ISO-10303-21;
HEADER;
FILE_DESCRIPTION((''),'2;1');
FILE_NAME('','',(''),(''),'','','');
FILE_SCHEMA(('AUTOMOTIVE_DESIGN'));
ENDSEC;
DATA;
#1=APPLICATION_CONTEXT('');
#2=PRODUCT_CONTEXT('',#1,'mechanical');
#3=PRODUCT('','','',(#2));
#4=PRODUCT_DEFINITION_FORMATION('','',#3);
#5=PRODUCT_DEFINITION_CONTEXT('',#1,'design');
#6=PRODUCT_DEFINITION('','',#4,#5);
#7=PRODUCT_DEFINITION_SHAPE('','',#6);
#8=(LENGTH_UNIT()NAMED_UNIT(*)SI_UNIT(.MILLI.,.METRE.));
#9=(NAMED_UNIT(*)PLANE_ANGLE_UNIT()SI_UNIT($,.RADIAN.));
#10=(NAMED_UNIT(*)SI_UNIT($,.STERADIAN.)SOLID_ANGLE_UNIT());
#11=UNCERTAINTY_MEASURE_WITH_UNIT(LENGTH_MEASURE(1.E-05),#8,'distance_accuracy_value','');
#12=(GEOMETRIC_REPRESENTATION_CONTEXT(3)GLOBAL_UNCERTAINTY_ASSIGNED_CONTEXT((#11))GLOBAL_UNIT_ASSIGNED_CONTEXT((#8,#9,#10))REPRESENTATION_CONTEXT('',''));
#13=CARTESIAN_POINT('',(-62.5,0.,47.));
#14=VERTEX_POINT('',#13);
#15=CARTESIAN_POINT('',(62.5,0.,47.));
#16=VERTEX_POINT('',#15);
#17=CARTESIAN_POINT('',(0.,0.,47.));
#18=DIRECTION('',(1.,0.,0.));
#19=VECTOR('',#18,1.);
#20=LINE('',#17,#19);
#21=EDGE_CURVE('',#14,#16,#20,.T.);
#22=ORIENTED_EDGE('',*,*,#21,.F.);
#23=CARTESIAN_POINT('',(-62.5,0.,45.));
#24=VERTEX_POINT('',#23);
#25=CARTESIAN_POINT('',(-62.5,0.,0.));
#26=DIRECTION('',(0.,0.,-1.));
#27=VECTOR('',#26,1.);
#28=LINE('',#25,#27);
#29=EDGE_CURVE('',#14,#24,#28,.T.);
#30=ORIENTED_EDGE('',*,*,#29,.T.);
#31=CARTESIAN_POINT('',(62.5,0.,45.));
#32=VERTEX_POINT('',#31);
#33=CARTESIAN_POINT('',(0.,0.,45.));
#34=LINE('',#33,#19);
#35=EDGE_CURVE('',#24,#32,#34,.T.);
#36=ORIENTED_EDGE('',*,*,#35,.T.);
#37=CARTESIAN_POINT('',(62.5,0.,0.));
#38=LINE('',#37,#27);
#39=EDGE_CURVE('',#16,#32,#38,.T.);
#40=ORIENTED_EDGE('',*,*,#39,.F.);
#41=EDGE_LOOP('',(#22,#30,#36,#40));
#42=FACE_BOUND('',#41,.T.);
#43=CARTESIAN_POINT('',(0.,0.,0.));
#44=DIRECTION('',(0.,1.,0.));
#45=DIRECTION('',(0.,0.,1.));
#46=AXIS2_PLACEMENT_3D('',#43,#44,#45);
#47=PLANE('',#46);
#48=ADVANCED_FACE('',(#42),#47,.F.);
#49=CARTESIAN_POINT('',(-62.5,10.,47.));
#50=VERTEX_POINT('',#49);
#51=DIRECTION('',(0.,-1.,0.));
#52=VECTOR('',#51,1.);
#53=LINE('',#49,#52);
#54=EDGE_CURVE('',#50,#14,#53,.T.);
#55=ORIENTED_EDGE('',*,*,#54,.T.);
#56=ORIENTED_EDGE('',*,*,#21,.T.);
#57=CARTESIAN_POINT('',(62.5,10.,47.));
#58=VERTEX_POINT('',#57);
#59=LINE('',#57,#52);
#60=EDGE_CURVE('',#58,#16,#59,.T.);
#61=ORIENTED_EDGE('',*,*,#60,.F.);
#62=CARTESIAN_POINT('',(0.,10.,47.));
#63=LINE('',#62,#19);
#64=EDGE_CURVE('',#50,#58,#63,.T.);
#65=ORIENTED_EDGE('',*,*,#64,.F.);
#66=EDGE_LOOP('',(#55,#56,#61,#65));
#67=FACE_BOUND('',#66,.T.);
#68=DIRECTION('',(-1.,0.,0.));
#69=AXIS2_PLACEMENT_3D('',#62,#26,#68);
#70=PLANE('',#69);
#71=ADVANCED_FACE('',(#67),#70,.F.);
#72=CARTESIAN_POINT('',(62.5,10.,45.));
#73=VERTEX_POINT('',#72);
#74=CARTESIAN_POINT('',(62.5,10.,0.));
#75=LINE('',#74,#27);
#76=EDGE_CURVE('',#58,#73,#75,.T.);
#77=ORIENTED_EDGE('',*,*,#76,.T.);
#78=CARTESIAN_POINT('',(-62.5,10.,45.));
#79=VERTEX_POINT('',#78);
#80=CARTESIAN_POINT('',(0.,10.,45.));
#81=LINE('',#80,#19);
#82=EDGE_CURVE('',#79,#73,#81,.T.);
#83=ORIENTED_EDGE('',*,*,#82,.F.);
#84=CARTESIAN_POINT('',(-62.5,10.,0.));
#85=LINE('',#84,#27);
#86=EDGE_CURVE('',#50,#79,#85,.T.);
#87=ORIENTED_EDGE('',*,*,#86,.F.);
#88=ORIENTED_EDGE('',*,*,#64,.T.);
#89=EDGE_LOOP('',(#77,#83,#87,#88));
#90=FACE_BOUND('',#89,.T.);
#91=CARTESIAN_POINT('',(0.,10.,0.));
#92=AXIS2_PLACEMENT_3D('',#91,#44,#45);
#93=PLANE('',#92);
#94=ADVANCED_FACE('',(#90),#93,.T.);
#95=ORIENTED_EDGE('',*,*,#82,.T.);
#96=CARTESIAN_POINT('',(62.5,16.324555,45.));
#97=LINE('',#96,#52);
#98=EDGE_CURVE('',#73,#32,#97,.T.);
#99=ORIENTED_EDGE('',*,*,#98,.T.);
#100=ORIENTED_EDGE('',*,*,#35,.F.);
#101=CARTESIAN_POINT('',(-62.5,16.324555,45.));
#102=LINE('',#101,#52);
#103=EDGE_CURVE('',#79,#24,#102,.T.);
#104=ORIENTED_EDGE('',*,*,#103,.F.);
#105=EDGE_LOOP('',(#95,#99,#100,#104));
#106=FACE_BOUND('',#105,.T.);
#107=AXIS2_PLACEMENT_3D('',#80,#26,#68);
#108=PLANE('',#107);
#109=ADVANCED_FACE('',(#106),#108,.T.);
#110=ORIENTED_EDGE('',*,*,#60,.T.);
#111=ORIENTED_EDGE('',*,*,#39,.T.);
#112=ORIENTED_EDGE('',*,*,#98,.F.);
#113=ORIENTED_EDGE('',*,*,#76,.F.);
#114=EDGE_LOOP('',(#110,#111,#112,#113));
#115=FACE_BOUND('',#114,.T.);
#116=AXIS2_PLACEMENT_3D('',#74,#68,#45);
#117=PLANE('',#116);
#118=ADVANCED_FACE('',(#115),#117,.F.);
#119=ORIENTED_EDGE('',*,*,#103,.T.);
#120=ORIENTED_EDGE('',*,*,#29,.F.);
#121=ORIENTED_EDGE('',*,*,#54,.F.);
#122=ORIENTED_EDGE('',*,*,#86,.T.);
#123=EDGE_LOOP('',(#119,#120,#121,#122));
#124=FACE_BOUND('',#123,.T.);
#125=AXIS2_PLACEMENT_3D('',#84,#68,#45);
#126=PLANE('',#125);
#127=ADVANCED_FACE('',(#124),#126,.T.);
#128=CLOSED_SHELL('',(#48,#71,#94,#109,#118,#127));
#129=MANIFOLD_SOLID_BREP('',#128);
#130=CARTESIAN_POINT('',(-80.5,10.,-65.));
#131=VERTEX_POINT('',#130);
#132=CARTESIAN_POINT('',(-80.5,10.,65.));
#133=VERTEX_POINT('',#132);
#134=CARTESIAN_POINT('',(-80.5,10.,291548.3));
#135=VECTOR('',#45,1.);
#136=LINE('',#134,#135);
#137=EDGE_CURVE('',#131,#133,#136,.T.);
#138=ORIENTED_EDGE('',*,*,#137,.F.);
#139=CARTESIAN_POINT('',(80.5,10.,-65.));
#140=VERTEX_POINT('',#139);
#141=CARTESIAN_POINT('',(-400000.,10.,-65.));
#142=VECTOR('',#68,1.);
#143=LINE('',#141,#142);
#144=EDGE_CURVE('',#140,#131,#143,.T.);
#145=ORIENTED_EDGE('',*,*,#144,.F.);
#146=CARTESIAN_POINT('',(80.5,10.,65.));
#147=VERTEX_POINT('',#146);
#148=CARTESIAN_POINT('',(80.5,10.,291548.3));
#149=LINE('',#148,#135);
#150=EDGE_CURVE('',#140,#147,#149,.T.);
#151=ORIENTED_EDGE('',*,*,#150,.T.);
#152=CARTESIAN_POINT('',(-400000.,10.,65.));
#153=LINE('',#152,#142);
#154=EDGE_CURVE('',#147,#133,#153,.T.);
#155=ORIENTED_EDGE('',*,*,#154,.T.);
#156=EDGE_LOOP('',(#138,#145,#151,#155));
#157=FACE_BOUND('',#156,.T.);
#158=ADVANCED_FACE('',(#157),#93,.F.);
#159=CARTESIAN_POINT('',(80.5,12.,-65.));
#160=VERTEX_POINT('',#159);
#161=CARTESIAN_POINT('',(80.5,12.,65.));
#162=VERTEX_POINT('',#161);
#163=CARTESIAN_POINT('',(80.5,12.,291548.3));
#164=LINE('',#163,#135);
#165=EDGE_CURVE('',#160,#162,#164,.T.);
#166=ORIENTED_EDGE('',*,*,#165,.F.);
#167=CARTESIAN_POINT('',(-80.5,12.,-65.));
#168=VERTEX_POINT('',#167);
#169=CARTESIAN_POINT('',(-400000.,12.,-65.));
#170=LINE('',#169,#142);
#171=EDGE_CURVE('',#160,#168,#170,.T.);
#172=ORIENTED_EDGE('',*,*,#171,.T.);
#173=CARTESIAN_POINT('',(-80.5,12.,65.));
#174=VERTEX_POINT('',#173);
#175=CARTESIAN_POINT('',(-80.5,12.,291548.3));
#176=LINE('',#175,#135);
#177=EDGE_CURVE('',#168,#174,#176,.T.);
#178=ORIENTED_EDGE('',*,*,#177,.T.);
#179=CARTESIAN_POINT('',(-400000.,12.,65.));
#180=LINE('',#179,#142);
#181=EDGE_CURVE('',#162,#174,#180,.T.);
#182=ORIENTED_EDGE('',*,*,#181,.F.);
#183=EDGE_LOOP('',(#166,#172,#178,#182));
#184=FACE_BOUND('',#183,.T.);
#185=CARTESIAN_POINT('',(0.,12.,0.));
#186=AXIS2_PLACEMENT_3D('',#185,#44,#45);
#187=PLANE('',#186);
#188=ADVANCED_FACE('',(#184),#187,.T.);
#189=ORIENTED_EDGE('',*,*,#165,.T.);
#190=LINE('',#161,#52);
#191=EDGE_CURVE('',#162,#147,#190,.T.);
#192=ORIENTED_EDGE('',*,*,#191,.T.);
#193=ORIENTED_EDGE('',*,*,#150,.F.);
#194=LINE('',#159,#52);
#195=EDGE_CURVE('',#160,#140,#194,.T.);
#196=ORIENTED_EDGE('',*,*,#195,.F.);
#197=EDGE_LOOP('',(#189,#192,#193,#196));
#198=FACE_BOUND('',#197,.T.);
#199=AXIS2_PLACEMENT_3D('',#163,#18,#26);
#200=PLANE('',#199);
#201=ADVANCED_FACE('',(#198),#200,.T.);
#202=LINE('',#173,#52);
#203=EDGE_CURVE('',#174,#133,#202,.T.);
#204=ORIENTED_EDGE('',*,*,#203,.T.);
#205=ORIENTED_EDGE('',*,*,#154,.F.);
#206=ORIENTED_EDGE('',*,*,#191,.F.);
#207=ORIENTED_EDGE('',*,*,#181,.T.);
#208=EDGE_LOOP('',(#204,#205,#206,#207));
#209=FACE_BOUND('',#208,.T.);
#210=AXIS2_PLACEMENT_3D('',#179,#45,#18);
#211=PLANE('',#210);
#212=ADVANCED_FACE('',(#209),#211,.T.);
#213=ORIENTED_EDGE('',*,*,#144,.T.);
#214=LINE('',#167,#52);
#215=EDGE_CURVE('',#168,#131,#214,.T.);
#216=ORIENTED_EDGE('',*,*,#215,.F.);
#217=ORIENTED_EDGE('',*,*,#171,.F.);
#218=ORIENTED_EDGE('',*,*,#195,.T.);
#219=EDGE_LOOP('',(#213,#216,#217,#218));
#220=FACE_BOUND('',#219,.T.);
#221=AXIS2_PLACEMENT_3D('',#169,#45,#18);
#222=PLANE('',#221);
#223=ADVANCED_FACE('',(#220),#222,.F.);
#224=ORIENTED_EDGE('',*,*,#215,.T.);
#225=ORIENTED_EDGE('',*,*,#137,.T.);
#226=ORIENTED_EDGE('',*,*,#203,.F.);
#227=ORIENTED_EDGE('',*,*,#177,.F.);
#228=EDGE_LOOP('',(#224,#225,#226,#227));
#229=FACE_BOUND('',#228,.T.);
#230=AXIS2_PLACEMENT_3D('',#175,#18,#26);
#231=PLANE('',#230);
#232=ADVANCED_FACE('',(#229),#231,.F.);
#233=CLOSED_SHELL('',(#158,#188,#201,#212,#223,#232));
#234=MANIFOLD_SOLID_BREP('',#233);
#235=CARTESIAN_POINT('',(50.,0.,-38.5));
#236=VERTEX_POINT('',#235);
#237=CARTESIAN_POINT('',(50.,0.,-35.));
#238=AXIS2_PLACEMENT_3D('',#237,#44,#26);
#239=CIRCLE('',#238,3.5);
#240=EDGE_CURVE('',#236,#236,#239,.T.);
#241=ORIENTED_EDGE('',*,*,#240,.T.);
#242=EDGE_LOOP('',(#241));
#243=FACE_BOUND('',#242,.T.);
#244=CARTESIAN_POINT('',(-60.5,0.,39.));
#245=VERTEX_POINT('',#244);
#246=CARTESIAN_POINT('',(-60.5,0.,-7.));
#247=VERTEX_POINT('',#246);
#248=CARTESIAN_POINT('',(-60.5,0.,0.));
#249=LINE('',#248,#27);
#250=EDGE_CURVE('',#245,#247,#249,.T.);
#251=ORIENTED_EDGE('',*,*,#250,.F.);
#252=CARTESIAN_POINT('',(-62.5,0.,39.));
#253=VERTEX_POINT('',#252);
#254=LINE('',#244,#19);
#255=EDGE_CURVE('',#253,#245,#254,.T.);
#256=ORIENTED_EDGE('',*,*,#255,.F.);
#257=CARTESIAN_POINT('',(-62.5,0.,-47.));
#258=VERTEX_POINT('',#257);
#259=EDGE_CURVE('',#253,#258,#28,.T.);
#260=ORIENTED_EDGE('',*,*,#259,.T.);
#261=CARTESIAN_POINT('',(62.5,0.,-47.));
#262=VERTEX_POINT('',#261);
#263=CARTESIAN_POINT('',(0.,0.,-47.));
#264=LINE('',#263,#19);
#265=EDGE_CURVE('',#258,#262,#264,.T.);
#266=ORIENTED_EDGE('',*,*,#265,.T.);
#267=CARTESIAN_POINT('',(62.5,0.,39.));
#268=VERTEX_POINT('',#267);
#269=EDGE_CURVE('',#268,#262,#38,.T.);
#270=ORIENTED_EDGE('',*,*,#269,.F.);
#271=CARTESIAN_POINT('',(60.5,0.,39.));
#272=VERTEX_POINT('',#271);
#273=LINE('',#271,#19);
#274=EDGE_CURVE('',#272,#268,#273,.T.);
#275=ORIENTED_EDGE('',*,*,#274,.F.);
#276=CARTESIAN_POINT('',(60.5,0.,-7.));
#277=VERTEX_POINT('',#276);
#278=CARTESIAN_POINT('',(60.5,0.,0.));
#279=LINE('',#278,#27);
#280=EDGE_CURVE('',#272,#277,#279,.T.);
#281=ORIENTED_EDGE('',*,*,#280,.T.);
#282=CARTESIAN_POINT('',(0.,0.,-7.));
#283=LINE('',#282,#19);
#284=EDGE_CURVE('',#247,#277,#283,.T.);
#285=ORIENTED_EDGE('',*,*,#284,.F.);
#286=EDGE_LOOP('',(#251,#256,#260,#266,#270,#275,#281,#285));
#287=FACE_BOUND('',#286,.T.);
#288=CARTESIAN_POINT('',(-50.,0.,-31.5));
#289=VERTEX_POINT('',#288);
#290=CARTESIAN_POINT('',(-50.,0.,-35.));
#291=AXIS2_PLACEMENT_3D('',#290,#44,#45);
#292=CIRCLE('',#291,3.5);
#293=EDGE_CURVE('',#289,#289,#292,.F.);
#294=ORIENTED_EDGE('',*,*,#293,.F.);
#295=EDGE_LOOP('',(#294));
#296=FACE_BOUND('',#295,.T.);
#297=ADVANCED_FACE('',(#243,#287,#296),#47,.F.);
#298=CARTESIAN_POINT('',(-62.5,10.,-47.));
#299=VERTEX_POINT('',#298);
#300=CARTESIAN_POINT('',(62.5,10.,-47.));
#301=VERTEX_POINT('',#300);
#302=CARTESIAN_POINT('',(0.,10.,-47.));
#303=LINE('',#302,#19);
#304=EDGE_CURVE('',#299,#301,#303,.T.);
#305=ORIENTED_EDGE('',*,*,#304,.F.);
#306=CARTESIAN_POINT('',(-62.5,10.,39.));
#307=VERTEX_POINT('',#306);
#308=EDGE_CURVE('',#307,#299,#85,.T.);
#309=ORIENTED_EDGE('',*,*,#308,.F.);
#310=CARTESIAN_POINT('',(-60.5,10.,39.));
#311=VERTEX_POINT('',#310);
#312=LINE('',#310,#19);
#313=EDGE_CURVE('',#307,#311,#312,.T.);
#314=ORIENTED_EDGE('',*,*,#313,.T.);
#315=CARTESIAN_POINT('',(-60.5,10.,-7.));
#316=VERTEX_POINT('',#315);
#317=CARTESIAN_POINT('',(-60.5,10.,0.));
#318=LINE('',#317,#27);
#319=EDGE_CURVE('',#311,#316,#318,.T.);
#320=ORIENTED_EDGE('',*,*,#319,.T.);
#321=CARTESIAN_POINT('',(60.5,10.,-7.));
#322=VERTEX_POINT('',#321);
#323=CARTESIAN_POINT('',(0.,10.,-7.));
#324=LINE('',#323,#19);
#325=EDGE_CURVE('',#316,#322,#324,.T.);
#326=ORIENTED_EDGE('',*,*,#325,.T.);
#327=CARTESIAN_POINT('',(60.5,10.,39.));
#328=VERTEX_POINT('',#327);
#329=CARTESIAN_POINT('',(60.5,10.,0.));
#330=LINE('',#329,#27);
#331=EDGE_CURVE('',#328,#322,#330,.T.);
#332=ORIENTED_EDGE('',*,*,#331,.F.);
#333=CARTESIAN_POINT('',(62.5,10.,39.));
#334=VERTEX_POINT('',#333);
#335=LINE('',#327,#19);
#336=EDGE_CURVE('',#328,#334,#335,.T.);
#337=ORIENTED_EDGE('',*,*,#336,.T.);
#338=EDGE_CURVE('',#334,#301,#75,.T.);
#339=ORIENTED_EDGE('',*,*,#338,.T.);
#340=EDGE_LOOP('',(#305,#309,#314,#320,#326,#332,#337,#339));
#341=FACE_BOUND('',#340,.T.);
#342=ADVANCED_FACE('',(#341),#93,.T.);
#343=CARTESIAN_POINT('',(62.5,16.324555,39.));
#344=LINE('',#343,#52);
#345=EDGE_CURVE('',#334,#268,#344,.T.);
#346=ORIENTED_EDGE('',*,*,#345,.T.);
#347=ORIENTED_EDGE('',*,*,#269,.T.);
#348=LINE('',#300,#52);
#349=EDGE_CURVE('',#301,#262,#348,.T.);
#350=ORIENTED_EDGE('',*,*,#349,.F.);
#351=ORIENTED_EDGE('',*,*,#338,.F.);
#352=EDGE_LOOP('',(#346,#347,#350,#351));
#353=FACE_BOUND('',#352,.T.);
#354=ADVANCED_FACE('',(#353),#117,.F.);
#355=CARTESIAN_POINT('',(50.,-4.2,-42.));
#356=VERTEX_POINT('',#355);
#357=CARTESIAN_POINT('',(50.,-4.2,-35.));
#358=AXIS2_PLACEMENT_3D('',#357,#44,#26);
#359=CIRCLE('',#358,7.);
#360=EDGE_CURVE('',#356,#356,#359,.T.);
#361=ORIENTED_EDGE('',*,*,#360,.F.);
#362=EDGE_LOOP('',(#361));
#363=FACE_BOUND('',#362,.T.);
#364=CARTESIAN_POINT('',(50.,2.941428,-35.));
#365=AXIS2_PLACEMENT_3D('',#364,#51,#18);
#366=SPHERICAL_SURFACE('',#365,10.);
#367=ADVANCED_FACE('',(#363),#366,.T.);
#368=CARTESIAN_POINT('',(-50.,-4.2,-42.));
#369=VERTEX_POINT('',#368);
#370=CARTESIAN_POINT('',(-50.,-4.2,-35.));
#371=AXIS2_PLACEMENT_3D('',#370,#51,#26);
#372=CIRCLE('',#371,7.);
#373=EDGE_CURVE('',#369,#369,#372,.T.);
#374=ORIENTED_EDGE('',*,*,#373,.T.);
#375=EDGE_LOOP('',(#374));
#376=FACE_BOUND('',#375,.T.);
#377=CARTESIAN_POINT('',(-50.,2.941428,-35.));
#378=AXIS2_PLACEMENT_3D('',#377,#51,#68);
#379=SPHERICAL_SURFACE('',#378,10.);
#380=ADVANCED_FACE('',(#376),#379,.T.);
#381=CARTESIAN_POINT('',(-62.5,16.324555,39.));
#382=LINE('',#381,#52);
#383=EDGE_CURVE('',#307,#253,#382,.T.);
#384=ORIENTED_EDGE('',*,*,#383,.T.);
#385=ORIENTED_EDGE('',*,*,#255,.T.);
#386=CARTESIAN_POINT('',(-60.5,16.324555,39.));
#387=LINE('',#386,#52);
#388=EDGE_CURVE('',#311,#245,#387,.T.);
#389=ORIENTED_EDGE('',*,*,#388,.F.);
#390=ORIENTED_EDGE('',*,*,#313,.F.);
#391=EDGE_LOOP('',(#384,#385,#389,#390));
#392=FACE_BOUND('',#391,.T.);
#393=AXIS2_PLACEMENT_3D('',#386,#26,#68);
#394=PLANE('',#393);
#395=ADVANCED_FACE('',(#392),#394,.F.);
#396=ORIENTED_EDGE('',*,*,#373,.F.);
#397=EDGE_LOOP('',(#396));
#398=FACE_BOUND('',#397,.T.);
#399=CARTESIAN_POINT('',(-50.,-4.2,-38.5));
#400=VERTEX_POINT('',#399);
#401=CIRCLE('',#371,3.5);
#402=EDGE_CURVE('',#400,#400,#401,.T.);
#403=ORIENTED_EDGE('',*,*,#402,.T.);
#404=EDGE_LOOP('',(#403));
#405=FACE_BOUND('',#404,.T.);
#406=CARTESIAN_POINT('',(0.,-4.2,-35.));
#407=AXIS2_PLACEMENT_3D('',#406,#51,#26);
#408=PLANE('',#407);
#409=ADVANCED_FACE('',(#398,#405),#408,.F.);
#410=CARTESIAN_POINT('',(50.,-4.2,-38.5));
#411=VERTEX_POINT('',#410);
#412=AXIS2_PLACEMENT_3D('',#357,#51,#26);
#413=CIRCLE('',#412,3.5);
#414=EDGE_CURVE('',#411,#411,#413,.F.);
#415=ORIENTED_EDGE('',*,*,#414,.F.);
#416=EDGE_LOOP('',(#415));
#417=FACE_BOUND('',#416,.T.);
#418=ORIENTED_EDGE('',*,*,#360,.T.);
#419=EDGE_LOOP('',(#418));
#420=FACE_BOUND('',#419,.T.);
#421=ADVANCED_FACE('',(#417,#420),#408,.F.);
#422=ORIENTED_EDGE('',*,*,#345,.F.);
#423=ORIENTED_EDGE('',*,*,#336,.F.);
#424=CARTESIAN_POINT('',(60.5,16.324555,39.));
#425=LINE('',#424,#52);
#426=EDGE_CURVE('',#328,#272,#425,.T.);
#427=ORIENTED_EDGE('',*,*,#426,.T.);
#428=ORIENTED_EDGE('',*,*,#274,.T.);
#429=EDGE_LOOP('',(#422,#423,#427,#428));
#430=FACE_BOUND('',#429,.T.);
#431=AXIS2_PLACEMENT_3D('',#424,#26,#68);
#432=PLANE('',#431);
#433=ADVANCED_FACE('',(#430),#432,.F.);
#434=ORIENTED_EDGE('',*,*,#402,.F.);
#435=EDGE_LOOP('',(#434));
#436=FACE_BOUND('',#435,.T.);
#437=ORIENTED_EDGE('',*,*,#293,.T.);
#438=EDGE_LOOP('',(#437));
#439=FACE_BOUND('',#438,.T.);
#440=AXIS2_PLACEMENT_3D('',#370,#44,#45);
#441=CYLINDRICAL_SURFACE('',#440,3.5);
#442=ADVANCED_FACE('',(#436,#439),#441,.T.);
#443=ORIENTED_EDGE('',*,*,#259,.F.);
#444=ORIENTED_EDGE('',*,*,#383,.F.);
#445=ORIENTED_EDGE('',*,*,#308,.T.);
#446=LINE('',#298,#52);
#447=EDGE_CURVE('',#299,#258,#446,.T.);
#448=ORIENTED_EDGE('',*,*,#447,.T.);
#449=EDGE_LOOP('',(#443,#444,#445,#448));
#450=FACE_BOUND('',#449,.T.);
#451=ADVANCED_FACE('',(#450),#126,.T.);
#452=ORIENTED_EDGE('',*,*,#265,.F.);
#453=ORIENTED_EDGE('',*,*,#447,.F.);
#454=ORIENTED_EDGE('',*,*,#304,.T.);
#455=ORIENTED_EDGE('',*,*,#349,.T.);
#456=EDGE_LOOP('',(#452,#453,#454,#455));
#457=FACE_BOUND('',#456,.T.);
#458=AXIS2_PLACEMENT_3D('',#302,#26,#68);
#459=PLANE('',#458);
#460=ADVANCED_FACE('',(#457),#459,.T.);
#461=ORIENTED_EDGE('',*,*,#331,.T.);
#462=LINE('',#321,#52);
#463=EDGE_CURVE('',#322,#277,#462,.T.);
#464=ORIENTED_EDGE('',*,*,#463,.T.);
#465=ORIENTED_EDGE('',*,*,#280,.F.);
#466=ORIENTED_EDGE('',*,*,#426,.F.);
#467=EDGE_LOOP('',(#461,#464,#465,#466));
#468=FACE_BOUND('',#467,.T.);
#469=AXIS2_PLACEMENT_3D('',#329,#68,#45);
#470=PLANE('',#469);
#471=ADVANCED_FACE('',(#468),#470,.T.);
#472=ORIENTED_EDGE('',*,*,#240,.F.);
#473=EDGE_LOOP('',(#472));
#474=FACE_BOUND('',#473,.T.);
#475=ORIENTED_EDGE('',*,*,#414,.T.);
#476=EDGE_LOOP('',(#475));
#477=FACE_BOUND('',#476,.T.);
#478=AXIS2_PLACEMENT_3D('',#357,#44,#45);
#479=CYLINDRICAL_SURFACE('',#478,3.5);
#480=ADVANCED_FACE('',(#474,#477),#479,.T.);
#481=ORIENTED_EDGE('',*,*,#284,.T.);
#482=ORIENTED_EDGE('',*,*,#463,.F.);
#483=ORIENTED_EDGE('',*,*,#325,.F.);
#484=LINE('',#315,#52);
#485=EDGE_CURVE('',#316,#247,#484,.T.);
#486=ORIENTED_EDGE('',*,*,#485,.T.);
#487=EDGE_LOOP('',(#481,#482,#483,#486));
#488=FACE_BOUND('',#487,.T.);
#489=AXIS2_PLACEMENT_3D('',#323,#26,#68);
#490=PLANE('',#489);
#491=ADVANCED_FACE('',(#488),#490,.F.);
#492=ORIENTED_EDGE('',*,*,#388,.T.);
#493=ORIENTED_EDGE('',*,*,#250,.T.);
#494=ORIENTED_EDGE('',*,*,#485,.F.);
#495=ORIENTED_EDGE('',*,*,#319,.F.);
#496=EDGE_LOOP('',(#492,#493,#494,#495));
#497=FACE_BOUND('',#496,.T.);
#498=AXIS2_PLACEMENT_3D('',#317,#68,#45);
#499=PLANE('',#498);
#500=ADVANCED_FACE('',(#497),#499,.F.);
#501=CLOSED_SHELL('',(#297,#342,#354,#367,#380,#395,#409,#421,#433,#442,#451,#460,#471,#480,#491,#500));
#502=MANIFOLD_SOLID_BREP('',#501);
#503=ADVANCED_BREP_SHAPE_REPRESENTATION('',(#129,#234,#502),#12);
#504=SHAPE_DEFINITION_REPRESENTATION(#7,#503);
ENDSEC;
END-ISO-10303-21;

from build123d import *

# Parameters (mm, degrees)
SKETCH1_W           = 125
SKETCH1_H           = 94
SKETCH1_W_2         = 121
SKETCH1_H_2         = 52
MAIN_DEPTH          = 10
MAINFRONTFACE_START = 10
SKETCH1_4_W         = 161
SKETCH1_4_H         = 130
SKETCH1_4_W_2       = 125
SKETCH1_4_H_2       = 94
SKETCH1_4_W_3       = 121
SKETCH1_4_H_3       = 52
MAINFRONTFACE_DEPTH = 2
SKETCH5_R           = 3.5
NOTCH_DEPTH         = 4.2
SKETCH11_W          = 2
SKETCH11_H          = 6
WIREHOLES_DEPTH     = 10


with BuildPart() as part:
    # Sketch1 → Main (new body)
    with BuildSketch(Plane(origin=(0, 0, 0), x_dir=(1, 0, 0), z_dir=(0, 1, 0))):
        Rectangle(SKETCH1_W, SKETCH1_H)
        with Locations((0, -19)):
            Rectangle(SKETCH1_W_2, SKETCH1_H_2, mode=Mode.SUBTRACT)
    extrude(amount=MAIN_DEPTH)

    # Sketch5 → Notch (add)
    with BuildSketch(Plane.XZ):
        with Locations(Location((-50, -35, 0), (0, 0, 90))):
            Circle(SKETCH5_R)
    notch = extrude(amount=NOTCH_DEPTH)

    # Sketch8 one side → ActualNotch (revolve)
    with BuildSketch(Plane.XY.offset(-35)):
        with BuildLine():
            Line((-50, -7.058571571), (-50, -4.2))
            Line((-50, -4.2), (-57, -4.2))
            ThreePointArc((-57, -4.2), (-53.780589618, -6.316386764), (-50, -7.058571571))
        make_face()
    actualnotch = revolve(axis=Axis((-50, -8.4, -35), (0, 1, 0)))

    # Mirror1: Notch, ActualNotch across plane
    add(notch.mirror(Plane(origin=(0, 0, 0), x_dir=(0, 0, 1), z_dir=(1, 0, 0))))
    add(actualnotch.mirror(Plane(origin=(0, 0, 0), x_dir=(0, 0, 1), z_dir=(1, 0, 0))))

    # Sketch11 → WireHoles (cut)
    with BuildSketch(Plane.XZ):
        with Locations((-61.5, 42)):
            Rectangle(SKETCH11_W, SKETCH11_H)
        with Locations((61.5, 42)):
            Rectangle(SKETCH11_W, SKETCH11_H)
    extrude(amount=-WIREHOLES_DEPTH, mode=Mode.SUBTRACT)


with BuildPart() as body_2:
    # Sketch1_4 → MainFrontFace (new body)
    with BuildSketch(Plane(origin=(0, 0, 0), x_dir=(1, 0, 0), z_dir=(0, 1, 0)).offset(MAINFRONTFACE_START)):
        Rectangle(SKETCH1_4_W, SKETCH1_4_H)
        Rectangle(SKETCH1_4_W_2, SKETCH1_4_H_2, mode=Mode.SUBTRACT)
        Rectangle(SKETCH1_4_W_2, SKETCH1_4_H_2)
        with Locations((0, -19)):
            Rectangle(SKETCH1_4_W_3, SKETCH1_4_H_3, mode=Mode.SUBTRACT)
        with Locations((0, -19)):
            Rectangle(SKETCH1_4_W_3, SKETCH1_4_H_3)
    extrude(amount=MAINFRONTFACE_DEPTH)


with BuildPart() as wireholes_piece_1:
    # of the separate pieces the step leaves, piece 1, a body of its own (wireholes_pieces)
    add(part.part.solids().sort_by_distance((57, -4.2, -35))[0])


with BuildPart() as wireholes_piece_2:
    # of the separate pieces the step leaves, piece 2, a body of its own (wireholes_pieces)
    add(part.part.solids().sort_by_distance((62.5, 0, 47))[0])


solid = Compound([body_2.part, wireholes_piece_1.part, wireholes_piece_2.part])
